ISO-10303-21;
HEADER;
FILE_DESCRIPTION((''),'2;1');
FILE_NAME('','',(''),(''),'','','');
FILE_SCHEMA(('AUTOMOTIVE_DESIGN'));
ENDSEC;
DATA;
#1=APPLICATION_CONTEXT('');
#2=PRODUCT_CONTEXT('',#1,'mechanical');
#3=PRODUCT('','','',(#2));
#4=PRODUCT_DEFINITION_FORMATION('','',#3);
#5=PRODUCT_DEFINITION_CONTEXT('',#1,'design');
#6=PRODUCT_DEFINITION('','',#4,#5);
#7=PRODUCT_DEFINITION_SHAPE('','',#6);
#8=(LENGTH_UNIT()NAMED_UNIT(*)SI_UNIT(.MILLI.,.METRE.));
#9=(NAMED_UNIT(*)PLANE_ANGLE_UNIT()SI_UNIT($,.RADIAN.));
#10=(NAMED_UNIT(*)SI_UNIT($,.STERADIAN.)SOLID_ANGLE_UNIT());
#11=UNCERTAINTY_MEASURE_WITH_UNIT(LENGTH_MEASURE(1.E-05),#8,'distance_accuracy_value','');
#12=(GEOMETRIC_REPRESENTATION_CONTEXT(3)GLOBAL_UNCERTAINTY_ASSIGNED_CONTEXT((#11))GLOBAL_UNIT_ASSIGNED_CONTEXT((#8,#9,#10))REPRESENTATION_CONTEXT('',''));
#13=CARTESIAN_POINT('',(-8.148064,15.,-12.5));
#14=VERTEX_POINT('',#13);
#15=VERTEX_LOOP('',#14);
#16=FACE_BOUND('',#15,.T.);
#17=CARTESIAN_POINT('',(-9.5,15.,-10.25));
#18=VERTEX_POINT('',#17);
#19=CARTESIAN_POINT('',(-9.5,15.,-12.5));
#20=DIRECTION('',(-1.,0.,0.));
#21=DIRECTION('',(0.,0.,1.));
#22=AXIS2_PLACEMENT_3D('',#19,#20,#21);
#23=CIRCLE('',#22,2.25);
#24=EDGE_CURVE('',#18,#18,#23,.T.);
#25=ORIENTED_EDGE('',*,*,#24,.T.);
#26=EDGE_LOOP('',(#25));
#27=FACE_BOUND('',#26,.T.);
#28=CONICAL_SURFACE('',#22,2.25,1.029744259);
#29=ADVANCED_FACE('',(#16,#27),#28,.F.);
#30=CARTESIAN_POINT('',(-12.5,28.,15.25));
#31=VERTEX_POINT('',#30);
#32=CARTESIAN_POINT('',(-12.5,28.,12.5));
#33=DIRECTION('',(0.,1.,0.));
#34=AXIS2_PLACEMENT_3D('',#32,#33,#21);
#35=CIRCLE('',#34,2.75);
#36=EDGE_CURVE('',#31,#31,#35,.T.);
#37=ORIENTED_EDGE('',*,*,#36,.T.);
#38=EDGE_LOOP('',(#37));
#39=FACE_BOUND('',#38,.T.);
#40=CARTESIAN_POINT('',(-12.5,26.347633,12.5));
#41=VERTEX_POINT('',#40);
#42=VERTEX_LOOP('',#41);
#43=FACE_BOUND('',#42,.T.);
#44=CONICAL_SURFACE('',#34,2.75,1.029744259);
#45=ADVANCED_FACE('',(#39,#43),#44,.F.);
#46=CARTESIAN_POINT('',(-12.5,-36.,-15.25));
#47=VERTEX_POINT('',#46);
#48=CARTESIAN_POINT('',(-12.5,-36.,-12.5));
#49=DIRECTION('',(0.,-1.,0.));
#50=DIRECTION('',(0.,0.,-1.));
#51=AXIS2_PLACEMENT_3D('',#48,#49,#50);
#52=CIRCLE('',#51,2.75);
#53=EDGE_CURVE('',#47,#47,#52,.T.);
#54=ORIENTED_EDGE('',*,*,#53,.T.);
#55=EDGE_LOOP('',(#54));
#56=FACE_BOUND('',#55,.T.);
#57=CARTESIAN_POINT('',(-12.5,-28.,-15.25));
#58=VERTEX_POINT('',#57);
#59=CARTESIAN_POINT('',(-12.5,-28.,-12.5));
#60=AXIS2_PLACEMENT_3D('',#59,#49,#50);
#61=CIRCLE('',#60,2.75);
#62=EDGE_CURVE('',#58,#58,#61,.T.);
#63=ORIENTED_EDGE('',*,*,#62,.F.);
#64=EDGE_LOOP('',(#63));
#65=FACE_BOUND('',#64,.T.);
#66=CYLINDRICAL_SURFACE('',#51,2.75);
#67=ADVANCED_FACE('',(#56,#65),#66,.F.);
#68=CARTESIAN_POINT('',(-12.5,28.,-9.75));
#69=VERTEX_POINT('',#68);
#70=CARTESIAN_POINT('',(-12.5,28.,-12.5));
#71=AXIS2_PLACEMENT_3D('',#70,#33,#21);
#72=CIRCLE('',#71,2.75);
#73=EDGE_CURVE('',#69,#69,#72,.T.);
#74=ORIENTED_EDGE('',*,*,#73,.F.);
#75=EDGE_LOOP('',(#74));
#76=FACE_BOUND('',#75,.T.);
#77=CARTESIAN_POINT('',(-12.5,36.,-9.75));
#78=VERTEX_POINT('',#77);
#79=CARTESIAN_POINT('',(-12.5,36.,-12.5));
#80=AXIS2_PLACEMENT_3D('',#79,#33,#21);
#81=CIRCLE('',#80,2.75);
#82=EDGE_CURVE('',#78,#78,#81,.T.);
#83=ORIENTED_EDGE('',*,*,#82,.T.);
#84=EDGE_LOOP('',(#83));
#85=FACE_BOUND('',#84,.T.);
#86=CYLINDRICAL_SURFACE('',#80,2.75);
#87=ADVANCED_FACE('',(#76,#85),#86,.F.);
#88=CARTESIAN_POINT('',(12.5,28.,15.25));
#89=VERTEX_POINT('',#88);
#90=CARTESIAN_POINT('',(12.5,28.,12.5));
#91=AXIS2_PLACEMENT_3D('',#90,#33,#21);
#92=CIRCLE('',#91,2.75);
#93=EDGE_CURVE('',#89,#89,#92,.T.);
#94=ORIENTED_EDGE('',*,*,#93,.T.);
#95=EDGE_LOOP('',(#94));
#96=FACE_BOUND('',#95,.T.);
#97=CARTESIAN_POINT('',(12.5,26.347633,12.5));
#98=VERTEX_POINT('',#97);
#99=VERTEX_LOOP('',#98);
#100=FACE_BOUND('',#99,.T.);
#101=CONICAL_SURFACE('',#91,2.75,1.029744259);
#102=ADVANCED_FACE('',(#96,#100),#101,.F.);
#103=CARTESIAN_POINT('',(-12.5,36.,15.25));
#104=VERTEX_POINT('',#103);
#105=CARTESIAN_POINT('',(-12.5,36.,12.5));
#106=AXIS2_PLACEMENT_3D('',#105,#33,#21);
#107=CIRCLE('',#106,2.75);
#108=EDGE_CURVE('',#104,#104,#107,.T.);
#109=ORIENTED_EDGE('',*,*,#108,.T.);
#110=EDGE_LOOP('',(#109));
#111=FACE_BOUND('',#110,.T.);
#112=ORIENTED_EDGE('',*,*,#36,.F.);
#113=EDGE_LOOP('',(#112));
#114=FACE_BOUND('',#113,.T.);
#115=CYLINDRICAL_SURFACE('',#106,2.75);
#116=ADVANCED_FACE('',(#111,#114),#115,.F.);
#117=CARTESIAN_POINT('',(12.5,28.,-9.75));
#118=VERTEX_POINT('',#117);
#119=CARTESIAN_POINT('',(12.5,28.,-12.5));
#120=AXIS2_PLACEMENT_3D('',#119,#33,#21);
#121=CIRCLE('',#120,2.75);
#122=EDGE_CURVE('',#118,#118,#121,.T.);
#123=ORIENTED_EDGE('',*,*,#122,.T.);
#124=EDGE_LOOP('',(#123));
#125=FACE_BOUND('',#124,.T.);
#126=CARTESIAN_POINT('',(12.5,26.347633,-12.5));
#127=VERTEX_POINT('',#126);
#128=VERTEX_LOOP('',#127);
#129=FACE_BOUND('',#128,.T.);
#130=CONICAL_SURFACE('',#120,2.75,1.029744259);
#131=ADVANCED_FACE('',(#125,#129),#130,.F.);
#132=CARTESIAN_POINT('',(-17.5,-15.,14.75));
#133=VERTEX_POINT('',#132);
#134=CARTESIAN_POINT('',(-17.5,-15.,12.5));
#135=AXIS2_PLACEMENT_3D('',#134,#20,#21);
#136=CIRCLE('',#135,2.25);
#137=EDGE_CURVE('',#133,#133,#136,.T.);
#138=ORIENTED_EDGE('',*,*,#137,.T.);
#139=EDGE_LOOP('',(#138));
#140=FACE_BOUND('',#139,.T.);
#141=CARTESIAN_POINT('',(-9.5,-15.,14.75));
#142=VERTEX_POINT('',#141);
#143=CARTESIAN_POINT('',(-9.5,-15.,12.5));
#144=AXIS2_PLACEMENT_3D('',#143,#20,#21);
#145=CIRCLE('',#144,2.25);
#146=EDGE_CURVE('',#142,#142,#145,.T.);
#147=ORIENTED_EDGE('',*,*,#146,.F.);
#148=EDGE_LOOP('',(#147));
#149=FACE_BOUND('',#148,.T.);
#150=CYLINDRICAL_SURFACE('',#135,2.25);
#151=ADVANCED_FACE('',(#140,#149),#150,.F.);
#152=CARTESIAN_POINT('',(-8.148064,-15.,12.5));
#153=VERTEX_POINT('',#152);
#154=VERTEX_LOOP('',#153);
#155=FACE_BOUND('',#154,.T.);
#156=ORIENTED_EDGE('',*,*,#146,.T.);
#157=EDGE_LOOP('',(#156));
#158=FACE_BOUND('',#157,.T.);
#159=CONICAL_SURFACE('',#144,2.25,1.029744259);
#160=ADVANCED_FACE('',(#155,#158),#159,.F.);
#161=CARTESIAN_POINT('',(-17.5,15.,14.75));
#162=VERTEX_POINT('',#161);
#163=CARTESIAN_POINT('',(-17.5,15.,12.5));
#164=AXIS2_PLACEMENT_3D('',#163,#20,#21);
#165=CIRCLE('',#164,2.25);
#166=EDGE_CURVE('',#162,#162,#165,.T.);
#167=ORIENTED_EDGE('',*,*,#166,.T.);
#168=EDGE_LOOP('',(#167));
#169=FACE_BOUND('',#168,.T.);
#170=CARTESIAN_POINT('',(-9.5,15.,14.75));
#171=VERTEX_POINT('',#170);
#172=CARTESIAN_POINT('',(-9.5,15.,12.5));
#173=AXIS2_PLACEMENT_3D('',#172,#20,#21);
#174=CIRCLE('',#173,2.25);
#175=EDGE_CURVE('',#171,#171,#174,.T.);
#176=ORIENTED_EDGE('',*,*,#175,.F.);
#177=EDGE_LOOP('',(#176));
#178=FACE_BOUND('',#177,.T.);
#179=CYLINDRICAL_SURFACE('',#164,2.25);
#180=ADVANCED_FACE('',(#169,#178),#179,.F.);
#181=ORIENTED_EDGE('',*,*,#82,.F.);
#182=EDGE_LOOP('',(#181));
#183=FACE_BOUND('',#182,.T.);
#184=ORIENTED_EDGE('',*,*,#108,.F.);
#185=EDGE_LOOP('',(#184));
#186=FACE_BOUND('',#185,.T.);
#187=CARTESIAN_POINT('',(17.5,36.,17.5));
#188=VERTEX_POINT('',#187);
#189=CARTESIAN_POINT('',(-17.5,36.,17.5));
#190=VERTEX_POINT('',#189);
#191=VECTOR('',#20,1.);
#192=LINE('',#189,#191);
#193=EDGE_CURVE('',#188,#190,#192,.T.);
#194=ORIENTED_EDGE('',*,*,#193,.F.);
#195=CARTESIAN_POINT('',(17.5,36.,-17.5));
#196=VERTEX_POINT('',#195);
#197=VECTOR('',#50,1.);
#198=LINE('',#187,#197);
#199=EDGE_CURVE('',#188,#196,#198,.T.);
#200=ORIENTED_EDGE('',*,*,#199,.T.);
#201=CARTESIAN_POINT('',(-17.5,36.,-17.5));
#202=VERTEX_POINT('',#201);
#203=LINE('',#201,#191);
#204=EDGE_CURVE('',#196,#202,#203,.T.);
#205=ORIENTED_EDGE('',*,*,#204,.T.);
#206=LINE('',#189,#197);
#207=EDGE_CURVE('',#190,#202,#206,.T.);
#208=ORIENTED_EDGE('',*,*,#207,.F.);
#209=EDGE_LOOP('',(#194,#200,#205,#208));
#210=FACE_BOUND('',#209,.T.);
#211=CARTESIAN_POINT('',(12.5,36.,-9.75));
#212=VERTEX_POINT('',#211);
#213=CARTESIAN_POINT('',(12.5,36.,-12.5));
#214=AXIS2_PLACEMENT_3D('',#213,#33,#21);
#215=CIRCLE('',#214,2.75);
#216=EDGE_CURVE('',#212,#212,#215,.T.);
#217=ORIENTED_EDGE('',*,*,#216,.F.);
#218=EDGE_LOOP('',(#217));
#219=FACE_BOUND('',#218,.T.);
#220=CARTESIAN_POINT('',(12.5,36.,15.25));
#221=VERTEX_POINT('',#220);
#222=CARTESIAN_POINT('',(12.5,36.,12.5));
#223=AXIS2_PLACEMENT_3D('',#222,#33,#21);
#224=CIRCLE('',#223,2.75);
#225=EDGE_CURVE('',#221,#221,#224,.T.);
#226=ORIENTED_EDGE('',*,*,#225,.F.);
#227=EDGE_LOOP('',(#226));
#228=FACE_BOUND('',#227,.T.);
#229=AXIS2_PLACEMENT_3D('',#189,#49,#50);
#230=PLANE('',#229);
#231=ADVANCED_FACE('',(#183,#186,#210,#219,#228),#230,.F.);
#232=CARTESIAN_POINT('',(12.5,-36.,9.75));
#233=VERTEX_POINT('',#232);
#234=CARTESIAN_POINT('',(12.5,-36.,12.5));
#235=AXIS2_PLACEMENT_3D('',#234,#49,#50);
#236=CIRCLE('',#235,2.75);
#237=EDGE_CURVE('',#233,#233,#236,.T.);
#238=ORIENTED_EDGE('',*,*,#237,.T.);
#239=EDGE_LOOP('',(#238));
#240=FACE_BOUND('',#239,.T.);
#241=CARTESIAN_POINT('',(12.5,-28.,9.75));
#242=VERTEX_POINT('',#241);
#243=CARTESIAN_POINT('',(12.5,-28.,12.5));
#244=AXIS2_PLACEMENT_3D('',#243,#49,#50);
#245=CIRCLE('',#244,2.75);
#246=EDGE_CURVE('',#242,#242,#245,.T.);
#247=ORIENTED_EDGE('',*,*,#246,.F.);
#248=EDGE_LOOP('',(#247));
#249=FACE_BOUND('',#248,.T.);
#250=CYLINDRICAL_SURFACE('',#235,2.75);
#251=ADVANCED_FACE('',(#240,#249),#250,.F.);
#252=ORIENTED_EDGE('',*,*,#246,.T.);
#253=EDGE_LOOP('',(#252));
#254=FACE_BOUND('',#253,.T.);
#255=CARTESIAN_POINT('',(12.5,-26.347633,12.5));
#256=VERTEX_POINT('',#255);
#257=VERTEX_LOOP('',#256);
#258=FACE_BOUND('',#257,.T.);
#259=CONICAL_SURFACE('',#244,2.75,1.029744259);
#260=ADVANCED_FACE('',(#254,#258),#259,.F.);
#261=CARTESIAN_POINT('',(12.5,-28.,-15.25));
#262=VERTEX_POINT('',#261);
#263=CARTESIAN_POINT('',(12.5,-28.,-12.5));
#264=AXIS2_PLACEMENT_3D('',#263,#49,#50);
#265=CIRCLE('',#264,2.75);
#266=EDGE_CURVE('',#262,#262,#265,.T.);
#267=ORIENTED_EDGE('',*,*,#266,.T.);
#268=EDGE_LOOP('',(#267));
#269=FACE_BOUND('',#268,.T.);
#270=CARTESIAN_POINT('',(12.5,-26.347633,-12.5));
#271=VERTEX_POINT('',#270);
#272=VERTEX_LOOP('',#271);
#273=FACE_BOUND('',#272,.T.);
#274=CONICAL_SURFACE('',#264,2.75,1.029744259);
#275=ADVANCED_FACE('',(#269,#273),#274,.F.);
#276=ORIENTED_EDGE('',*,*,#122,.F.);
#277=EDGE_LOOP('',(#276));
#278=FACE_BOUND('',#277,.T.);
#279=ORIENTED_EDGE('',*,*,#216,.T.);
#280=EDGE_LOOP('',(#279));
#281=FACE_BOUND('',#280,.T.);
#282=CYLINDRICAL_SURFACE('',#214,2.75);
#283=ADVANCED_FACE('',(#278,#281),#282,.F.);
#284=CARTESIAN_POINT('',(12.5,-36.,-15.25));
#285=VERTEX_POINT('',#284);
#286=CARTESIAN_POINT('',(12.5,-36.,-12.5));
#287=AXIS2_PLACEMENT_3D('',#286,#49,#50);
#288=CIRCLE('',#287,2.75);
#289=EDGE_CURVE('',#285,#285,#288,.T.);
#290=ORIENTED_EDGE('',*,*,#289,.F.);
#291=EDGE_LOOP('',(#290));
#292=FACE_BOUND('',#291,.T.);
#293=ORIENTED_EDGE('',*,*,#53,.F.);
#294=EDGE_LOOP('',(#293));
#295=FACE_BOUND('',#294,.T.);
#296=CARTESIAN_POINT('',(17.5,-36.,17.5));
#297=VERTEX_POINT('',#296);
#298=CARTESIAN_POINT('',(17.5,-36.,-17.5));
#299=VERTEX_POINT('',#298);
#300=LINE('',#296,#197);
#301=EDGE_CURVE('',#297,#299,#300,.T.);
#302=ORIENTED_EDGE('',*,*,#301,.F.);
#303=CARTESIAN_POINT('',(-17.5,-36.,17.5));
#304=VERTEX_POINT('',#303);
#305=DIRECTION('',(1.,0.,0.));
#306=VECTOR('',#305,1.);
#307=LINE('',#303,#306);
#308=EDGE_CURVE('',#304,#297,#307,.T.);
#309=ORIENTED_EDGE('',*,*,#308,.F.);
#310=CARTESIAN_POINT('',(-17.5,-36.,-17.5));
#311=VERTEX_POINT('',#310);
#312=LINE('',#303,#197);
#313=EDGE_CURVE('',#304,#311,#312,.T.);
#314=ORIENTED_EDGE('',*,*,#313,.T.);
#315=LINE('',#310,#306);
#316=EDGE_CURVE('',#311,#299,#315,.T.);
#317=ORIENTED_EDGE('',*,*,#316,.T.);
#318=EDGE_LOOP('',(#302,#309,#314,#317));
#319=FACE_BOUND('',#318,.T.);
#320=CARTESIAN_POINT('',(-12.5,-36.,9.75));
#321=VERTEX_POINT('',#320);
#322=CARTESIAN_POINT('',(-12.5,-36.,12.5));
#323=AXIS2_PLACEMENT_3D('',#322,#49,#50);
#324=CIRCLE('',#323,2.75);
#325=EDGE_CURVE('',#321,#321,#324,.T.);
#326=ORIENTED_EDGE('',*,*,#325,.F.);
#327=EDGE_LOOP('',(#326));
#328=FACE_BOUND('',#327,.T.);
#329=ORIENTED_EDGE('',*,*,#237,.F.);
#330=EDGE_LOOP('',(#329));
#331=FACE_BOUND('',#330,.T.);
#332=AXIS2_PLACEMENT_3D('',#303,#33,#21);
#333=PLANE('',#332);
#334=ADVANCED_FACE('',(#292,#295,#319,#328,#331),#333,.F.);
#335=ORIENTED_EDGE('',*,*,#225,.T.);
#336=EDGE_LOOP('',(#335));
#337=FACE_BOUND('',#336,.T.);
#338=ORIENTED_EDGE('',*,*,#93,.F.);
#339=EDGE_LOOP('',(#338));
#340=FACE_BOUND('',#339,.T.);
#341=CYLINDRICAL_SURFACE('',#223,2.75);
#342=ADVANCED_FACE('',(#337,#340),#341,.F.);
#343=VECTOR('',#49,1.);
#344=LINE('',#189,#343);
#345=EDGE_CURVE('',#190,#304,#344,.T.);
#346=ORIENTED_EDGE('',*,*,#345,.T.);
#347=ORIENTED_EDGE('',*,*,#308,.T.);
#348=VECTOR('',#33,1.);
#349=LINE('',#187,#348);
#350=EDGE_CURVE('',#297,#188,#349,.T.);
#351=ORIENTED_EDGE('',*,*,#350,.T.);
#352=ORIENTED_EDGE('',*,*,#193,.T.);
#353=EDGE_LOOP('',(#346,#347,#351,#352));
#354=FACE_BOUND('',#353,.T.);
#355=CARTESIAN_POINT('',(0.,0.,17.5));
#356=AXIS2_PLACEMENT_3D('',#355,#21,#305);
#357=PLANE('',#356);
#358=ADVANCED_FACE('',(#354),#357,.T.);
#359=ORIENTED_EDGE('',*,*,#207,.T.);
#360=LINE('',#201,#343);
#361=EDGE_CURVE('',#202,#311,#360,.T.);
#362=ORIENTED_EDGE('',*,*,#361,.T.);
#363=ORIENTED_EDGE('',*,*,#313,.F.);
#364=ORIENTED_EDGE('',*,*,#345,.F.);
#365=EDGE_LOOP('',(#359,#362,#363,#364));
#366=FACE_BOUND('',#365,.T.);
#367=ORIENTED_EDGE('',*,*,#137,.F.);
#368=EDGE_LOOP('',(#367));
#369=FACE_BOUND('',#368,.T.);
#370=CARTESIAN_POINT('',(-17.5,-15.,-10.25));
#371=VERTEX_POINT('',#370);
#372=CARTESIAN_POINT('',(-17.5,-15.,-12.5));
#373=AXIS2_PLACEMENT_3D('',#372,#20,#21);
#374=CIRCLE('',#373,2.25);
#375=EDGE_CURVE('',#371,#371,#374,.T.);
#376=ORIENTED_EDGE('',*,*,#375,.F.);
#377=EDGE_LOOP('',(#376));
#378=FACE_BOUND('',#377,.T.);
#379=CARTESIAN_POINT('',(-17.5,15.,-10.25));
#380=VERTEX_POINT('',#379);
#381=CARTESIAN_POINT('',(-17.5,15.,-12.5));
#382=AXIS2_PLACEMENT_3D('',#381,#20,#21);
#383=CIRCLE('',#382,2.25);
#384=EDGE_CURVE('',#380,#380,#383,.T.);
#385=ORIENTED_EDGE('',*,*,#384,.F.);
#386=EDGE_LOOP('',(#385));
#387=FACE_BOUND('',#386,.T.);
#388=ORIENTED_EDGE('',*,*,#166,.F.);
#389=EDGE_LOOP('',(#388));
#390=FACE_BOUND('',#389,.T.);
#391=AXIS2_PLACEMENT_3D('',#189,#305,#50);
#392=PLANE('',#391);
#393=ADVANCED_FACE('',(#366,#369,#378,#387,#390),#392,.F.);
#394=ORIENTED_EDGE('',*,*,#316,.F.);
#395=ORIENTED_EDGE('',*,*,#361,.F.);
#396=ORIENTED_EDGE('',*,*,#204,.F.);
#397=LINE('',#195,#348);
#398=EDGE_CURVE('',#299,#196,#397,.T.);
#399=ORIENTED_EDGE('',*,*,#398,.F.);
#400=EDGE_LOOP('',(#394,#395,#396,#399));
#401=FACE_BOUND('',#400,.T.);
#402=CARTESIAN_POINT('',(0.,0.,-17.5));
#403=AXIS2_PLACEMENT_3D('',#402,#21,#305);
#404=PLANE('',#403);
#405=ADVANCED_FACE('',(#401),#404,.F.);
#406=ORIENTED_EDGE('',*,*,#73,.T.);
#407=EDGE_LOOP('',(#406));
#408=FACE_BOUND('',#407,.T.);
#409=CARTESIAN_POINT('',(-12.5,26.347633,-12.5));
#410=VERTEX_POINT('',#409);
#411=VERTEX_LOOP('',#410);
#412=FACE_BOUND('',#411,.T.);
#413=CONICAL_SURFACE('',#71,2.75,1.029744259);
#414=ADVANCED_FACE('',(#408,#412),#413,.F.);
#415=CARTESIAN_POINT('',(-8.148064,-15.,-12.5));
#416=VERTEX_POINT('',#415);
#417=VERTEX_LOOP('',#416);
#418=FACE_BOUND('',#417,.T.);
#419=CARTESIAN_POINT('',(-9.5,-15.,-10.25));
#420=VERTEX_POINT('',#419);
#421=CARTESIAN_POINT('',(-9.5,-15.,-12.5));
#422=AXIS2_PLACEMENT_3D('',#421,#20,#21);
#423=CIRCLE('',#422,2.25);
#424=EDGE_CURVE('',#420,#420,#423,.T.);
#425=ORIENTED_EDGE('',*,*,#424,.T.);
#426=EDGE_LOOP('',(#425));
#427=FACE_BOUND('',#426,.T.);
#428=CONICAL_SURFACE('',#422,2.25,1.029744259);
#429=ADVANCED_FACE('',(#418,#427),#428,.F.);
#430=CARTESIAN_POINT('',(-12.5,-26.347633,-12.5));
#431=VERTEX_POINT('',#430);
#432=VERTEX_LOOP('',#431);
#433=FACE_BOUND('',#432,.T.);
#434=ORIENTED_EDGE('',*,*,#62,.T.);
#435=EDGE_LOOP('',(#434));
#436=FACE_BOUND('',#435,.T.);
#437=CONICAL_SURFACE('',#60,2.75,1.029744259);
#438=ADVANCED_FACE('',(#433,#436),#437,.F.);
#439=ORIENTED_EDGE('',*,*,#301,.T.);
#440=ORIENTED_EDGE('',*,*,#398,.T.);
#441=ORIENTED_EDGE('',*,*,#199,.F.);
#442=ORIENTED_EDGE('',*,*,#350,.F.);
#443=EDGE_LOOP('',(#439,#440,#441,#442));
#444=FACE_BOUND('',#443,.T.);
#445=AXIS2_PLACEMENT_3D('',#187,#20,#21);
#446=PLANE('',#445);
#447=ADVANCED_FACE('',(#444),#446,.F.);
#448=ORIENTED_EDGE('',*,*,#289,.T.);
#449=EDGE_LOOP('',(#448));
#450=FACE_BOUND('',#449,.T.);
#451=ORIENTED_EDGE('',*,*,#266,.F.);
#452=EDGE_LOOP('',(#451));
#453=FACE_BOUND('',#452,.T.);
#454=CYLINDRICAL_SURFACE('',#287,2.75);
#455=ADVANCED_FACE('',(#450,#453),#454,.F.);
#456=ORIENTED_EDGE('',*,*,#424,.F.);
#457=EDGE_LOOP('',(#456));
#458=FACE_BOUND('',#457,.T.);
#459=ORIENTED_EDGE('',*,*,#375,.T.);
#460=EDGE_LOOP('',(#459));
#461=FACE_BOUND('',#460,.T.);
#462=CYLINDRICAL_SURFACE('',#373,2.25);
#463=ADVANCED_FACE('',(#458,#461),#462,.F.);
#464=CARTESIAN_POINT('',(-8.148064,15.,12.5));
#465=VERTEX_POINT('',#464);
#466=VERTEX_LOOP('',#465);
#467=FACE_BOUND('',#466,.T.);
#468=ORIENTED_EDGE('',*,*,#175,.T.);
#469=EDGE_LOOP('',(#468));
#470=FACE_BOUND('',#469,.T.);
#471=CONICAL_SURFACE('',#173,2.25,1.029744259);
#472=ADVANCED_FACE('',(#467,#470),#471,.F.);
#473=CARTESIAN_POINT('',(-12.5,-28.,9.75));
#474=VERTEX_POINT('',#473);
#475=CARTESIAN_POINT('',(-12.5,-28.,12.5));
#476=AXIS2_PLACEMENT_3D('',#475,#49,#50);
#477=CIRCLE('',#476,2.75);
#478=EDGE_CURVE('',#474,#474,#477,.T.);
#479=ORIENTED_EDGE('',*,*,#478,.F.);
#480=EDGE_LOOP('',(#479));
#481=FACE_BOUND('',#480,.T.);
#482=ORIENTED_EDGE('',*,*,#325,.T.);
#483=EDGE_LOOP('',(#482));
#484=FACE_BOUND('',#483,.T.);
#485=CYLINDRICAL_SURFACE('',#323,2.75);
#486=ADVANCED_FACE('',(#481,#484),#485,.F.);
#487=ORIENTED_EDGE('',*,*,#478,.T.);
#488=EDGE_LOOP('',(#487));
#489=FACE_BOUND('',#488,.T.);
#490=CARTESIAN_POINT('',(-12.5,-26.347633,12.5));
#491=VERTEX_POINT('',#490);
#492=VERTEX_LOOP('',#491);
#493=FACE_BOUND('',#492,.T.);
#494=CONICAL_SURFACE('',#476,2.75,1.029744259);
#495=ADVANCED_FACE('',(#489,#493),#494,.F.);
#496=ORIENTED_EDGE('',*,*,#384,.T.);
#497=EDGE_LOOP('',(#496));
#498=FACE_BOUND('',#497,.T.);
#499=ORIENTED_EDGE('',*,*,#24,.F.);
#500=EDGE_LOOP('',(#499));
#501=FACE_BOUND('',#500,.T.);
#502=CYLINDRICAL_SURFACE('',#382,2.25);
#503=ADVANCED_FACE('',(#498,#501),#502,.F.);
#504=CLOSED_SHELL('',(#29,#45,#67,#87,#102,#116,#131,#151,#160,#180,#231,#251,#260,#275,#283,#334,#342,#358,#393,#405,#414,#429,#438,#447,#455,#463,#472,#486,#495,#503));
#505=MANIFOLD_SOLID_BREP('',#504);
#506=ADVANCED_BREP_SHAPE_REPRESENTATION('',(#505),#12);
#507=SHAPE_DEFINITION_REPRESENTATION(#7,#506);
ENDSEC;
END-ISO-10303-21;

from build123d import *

# Parameters (mm, degrees)
SKETCH1_W           = 35
SKETCH1_H           = 72
BOSS_EXTRUDE1_DEPTH = 17.5


with BuildPart() as part:
    # Sketch1 → Boss-Extrude1 (new, symmetric)
    with BuildSketch(Plane.XY):
        Rectangle(SKETCH1_W, SKETCH1_H)
    extrude(amount=BOSS_EXTRUDE1_DEPTH, both=True)

    # Sketch3 → M5 Clearance Hole1 (revolve, cut)
    with BuildSketch(Plane(origin=(-12.5, 36, -12.5), x_dir=(0, 0, 1), z_dir=(1, 0, 0))):
        Polygon((0, 0), (0, 9.652366702), (2.75, 8), (2.75, 0), align=None)
    m5_clearance_hole1 = revolve(axis=Axis((-12.5, 42.35, -12.5), (0, -1, 0)), mode=Mode.SUBTRACT)

    # Mirror1: M5 Clearance Hole1 across plane
    add(m5_clearance_hole1.mirror(Plane(origin=(0, 0, 0), x_dir=(0, 0, 1), z_dir=(1, 0, 0))), mode=Mode.SUBTRACT)

    # Mirror2: M5 Clearance Hole1 across plane
    add(m5_clearance_hole1.mirror(Plane.XY), mode=Mode.SUBTRACT)

    # Mirror2 copy 1 sketch → Mirror2 copy 1 (revolve, cut)
    with BuildSketch(Plane(origin=(12.5, 36, 12.5), x_dir=(0, 0, -1), z_dir=(-1, 0, 0))):
        Polygon((0, 0), (0, 9.652366702), (2.75, 8), (2.75, 0), align=None)
    revolve(axis=Axis((12.5, 42.35, 12.5), (0, -1, 0)), mode=Mode.SUBTRACT)

    # Mirror3: M5 Clearance Hole1 across plane
    add(m5_clearance_hole1.mirror(Plane.ZX), mode=Mode.SUBTRACT)

    # Mirror3 copy 1 sketch → Mirror3 copy 1 (revolve, cut)
    with BuildSketch(Plane(origin=(12.5, -36, -12.5), x_dir=(0, 0, 1), z_dir=(-1, 0, 0))):
        Polygon((0, 0), (0, 9.652366702), (2.75, 8), (2.75, 0), align=None)
    revolve(axis=Axis((12.5, -42.35, -12.5), (0, 1, 0)), mode=Mode.SUBTRACT)

    # Mirror3 copy 2 sketch → Mirror3 copy 2 (revolve, cut)
    with BuildSketch(Plane(origin=(-12.5, -36, 12.5), x_dir=(0, 0, -1), z_dir=(1, 0, 0))):
        Polygon((0, 0), (0, 9.652366702), (2.75, 8), (2.75, 0), align=None)
    revolve(axis=Axis((-12.5, -42.35, 12.5), (0, 1, 0)), mode=Mode.SUBTRACT)

    # Mirror3 copy 3 sketch → Mirror3 copy 3 (revolve, cut)
    with BuildSketch(Plane(origin=(12.5, -36, 12.5), x_dir=(0, 0, -1), z_dir=(-1, 0, 0))):
        Polygon((0, 0), (0, -9.652366702), (2.75, -8), (2.75, 0), align=None)
    revolve(axis=Axis((12.5, -42.35, 12.5), (0, -1, 0)), mode=Mode.SUBTRACT)

    # Sketch6 → M4 Clearance Hole1 (revolve, cut)
    with BuildSketch(Plane(origin=(-17.5, 15, -12.5), x_dir=(0, 0, 1), z_dir=(0, 1, 0))):
        Polygon((0, 0), (0, 9.351936393), (2.25, 8), (2.25, 0), align=None)
    m4_clearance_hole1 = revolve(axis=Axis((-23.85, 15, -12.5), (1, 0, 0)), mode=Mode.SUBTRACT)

    # Mirror4: M4 Clearance Hole1 across plane
    add(m4_clearance_hole1.mirror(Plane.XY), mode=Mode.SUBTRACT)

    # Mirror5 copy 1 sketch → Mirror5 copy 1 (revolve, cut)
    with BuildSketch(Plane(origin=(-17.5, -15, 12.5), x_dir=(0, 0, -1), z_dir=(0, -1, 0))):
        Polygon((0, 0), (0, 9.351936393), (2.25, 8), (2.25, 0), align=None)
    revolve(axis=Axis((-23.85, -15, 12.5), (1, 0, 0)), mode=Mode.SUBTRACT)

    # Mirror5 copy 2 sketch → Mirror5 copy 2 (revolve, cut)
    with BuildSketch(Plane(origin=(-17.5, -15, -12.5), x_dir=(0, 0, 1), z_dir=(0, -1, 0))):
        Polygon((0, 0), (0, -9.351936393), (2.25, -8), (2.25, 0), align=None)
    revolve(axis=Axis((-23.85, -15, -12.5), (-1, 0, 0)), mode=Mode.SUBTRACT)


solid = part.part
